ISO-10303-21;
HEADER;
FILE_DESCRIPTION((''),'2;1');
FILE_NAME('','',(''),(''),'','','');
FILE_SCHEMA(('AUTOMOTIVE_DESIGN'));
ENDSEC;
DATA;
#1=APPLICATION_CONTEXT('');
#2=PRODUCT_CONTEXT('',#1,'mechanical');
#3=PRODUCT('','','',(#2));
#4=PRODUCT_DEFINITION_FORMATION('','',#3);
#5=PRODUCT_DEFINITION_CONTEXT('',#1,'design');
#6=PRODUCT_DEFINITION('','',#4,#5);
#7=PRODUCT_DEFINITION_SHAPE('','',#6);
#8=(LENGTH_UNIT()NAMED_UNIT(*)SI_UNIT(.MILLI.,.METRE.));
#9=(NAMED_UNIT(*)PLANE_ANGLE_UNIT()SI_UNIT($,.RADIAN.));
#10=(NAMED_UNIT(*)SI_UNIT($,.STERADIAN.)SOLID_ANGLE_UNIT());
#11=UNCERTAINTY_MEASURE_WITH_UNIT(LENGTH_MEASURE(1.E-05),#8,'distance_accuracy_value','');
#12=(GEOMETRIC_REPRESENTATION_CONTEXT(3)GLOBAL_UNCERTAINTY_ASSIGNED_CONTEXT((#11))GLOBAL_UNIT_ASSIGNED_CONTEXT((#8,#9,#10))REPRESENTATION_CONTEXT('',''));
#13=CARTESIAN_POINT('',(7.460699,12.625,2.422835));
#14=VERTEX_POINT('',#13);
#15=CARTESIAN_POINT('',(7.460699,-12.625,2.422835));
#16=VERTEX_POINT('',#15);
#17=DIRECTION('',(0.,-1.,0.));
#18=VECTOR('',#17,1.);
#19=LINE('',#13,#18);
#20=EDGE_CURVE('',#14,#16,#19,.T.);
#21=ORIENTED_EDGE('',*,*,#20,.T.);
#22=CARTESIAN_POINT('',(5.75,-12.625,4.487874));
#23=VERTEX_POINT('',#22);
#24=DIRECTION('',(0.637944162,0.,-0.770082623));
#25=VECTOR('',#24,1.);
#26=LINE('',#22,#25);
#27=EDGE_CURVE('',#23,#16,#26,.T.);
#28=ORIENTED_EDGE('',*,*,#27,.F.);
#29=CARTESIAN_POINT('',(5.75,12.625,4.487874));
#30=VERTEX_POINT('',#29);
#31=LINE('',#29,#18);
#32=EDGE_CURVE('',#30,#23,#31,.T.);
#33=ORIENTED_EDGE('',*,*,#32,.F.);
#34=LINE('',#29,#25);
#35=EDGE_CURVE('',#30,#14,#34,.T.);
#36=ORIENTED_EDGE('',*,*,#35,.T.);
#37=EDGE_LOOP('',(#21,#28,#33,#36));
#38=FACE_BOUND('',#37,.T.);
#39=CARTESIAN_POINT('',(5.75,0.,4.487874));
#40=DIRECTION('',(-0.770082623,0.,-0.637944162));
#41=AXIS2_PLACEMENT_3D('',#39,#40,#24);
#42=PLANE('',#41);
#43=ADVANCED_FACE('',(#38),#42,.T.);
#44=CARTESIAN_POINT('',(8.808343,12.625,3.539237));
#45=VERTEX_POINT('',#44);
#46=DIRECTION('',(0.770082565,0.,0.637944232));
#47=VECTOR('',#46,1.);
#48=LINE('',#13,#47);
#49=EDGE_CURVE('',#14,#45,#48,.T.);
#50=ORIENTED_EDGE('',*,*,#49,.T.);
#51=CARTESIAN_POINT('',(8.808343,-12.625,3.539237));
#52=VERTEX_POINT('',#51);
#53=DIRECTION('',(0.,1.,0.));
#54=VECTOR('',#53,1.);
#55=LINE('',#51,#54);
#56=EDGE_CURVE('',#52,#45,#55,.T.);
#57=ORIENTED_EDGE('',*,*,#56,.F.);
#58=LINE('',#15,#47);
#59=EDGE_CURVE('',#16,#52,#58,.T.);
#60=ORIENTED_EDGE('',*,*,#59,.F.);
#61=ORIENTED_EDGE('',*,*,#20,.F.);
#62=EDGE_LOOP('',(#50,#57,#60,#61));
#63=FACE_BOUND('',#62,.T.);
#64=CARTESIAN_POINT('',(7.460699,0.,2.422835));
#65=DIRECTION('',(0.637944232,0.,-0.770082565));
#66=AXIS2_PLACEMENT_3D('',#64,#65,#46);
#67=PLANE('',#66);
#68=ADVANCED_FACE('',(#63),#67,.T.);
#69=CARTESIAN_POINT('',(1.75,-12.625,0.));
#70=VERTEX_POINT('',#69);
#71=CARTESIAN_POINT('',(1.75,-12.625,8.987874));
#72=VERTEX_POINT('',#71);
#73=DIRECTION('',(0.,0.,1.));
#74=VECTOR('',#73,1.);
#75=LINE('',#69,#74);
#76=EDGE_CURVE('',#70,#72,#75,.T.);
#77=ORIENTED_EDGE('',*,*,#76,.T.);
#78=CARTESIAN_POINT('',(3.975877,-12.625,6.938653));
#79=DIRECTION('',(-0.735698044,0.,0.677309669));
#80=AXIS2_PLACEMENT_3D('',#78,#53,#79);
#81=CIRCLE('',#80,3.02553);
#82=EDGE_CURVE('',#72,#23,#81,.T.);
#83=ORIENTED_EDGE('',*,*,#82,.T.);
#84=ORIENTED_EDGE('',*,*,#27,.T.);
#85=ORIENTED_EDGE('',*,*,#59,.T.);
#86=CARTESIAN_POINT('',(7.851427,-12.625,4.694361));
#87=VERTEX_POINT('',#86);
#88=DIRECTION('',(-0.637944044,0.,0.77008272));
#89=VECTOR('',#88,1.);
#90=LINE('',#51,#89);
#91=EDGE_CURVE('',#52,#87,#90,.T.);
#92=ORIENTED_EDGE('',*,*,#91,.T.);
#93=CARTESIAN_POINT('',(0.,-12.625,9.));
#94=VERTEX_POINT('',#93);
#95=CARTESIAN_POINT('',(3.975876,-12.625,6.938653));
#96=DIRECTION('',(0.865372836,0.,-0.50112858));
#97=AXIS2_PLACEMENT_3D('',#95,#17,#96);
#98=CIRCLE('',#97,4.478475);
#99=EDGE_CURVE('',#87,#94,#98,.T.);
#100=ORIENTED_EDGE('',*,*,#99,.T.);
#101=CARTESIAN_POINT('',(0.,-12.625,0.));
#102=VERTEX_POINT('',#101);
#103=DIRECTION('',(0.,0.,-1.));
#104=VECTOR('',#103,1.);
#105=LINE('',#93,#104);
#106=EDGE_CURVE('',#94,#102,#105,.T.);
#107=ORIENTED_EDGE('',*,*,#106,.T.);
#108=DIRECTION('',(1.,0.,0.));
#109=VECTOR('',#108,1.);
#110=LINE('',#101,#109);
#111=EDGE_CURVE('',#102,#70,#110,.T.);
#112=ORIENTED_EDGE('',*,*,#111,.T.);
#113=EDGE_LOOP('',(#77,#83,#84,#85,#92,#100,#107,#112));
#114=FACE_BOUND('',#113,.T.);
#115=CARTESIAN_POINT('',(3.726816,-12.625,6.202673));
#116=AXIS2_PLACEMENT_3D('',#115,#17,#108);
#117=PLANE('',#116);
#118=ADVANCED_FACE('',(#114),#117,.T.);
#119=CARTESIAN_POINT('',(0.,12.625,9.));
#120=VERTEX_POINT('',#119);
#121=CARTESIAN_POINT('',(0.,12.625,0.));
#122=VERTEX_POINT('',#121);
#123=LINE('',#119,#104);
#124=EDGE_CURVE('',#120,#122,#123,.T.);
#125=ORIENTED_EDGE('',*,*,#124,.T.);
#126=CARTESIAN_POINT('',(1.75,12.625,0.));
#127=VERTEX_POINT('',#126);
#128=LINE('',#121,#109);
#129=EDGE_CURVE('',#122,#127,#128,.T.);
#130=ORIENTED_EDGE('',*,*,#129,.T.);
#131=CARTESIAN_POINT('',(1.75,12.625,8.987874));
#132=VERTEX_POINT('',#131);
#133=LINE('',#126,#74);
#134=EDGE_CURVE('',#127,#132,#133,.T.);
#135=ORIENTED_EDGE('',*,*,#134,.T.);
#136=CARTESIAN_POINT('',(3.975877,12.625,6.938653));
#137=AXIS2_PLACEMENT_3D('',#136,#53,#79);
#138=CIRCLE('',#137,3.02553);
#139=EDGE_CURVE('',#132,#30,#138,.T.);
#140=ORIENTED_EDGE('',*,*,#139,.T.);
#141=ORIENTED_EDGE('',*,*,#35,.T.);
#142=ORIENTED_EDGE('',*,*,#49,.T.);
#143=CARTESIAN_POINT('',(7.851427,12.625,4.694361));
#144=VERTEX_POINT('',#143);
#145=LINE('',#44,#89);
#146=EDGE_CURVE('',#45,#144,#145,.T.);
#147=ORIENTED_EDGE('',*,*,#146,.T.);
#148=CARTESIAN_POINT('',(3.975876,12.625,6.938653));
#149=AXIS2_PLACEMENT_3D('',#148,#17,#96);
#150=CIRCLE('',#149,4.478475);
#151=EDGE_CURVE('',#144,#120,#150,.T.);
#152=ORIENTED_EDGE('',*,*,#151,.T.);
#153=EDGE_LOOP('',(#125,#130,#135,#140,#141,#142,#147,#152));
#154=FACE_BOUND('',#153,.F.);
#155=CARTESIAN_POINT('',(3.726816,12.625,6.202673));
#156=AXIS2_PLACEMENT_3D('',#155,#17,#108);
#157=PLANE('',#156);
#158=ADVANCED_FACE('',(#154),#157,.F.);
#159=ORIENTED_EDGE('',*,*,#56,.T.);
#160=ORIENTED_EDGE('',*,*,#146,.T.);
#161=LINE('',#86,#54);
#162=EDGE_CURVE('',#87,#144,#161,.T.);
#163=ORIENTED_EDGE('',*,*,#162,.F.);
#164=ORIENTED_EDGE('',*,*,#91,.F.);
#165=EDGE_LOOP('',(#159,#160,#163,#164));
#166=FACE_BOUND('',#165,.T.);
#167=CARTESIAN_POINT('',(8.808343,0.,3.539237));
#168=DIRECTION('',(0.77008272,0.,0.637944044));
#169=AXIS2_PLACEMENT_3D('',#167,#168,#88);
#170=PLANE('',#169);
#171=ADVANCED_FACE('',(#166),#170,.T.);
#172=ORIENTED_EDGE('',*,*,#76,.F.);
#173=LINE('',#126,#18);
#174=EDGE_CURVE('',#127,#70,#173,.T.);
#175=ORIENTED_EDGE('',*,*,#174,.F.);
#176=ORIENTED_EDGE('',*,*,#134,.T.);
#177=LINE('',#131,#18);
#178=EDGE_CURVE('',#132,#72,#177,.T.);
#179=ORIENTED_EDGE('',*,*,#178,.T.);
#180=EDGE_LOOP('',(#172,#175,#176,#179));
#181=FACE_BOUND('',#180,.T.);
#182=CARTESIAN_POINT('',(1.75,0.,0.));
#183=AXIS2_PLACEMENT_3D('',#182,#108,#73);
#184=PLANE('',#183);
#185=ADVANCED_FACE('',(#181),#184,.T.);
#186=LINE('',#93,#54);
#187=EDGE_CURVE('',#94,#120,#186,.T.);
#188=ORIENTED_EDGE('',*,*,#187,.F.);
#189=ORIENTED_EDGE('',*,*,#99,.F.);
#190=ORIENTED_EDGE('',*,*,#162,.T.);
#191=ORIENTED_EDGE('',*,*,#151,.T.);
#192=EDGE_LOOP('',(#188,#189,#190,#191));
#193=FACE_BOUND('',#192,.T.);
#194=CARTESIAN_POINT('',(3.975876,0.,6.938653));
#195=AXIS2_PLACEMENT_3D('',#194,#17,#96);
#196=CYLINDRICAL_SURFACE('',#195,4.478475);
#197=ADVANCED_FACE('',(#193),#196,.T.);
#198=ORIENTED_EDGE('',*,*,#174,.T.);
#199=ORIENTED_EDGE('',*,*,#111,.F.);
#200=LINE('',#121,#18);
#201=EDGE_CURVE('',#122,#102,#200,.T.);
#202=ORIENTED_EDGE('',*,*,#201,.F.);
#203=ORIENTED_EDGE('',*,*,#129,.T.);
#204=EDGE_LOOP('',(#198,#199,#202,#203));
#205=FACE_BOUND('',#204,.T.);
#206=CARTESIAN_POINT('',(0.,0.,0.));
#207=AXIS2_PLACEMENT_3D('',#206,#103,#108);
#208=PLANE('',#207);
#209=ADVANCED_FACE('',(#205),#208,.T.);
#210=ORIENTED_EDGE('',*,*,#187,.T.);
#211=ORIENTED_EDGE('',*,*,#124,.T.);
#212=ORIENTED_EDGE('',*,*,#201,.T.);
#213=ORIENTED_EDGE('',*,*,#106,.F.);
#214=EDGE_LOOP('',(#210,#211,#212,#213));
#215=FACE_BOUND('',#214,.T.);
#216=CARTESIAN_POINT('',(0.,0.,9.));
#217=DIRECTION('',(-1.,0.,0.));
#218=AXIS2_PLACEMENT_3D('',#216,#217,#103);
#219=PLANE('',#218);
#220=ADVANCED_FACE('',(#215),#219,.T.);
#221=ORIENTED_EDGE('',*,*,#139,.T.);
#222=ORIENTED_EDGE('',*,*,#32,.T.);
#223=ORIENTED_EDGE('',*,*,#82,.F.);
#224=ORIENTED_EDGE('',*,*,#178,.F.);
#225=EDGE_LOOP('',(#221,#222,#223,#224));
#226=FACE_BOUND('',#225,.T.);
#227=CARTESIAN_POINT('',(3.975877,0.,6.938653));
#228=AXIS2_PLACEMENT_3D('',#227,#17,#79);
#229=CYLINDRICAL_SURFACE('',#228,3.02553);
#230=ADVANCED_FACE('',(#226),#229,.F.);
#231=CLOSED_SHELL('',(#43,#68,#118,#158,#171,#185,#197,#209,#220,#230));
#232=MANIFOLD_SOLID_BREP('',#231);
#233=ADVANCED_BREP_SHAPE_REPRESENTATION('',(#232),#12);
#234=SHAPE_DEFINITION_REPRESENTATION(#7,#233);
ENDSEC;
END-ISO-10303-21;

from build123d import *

# Parameters (mm, degrees)
F1_DEPTH = 12.625


with BuildPart() as f1:
    # F0 (on Front) → F1 (new body, symmetric)
    with BuildSketch(Plane.XZ):
        with BuildLine():
            Line((0, 9), (0, 0))
            Line((0, 0), (1.75, 0))
            Line((1.75, 0), (1.75, 4.487874))
            Line((1.75, 4.487874), (1.75, 8.987874))
            ThreePointArc((1.75, 8.987874), (6.237186, 8.948706), (5.75, 4.487874))
            Line((5.75, 4.487874), (7.460699, 2.422835))
            Line((7.460699, 2.422835), (8.808343, 3.539237))
            Line((8.808343, 3.539237), (7.851427, 4.694361))
            ThreePointArc((7.851427, 4.694361), (6.12928, 10.865432), (0, 9))
        make_face()
    extrude(amount=F1_DEPTH, both=True)


solid = f1.part
